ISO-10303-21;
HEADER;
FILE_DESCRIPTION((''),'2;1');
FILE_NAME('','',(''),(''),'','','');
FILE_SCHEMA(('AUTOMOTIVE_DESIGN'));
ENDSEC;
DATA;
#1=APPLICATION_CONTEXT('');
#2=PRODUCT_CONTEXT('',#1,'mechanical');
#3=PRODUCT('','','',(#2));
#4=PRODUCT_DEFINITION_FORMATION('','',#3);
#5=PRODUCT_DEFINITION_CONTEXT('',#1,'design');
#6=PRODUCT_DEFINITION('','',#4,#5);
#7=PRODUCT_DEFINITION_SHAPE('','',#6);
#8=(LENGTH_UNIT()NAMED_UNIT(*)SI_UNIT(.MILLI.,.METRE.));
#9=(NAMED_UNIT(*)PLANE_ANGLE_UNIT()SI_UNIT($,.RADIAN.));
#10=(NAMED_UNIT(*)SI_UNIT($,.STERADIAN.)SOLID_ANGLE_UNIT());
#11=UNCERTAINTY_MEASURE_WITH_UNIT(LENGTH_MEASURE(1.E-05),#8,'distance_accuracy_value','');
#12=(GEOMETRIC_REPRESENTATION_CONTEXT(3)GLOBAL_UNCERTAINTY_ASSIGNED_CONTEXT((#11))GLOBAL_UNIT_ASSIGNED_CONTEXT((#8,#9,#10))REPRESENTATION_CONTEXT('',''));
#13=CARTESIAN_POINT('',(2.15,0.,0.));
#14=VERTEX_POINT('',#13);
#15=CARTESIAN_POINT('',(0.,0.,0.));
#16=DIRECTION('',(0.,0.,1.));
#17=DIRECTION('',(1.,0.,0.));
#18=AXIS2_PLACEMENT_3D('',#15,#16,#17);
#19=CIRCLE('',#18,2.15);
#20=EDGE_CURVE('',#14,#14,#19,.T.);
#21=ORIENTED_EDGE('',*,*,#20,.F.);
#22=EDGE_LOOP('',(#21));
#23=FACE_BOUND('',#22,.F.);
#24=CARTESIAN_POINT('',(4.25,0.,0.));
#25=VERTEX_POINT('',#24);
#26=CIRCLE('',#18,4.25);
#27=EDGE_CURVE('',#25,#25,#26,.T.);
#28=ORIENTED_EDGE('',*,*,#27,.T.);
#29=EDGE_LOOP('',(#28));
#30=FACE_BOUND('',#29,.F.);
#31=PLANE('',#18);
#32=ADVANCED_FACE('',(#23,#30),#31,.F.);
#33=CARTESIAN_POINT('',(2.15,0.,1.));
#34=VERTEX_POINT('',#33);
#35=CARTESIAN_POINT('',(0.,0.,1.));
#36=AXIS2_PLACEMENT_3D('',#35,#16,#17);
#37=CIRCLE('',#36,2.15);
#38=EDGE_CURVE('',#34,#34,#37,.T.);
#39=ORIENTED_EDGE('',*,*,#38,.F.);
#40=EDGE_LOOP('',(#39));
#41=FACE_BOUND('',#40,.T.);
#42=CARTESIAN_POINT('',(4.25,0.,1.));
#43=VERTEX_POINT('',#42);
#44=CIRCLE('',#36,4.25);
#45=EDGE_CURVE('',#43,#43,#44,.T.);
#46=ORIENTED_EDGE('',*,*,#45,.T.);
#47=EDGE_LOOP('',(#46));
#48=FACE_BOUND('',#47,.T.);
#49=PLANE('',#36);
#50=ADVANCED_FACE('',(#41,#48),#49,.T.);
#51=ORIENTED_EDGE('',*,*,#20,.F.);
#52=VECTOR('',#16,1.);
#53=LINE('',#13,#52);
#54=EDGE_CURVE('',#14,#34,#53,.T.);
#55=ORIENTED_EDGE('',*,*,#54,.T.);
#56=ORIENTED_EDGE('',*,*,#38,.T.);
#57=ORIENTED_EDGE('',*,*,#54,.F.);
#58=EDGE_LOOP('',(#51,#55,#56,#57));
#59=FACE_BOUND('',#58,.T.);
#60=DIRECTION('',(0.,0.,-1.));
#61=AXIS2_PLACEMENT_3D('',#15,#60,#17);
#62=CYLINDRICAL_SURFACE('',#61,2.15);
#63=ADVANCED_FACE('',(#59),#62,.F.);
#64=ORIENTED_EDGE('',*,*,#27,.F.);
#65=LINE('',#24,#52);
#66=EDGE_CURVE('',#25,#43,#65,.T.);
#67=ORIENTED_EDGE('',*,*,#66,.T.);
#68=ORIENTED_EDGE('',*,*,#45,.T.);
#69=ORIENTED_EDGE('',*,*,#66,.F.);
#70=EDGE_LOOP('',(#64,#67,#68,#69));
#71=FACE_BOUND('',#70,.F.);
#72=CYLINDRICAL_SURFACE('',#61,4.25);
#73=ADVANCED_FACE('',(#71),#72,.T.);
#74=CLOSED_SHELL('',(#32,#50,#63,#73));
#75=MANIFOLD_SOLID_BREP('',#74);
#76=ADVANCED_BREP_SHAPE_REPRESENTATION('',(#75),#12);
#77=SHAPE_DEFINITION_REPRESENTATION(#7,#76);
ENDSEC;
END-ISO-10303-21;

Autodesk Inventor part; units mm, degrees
ref_plane "YZ Plane" through (0, 0, 0) normal (1, 0, 0) x (0, 1, 0)
ref_plane "XZ Plane" through (0, 0, 0) normal (0, 1, 0) x (-1, 0, 0)
ref_plane "XY Plane" through (0, 0, 0) normal (0, 0, 1) x (1, 0, 0)
sketch "Sketch1" plane through (0, 0, 0) normal (0, 0, 1) x (1, 0, 0)
  circle A0 centre (0, 0) radius 4.25
  circle A1 centre (0, 0) radius 2.15
  dimension "d0" = 8.5
  dimension "d1" = 4.3
extrude "Extrusion1" add sketch "Sketch1" along normal blind 1
properties part number "Washer_Spacer_flanged_bearing"
